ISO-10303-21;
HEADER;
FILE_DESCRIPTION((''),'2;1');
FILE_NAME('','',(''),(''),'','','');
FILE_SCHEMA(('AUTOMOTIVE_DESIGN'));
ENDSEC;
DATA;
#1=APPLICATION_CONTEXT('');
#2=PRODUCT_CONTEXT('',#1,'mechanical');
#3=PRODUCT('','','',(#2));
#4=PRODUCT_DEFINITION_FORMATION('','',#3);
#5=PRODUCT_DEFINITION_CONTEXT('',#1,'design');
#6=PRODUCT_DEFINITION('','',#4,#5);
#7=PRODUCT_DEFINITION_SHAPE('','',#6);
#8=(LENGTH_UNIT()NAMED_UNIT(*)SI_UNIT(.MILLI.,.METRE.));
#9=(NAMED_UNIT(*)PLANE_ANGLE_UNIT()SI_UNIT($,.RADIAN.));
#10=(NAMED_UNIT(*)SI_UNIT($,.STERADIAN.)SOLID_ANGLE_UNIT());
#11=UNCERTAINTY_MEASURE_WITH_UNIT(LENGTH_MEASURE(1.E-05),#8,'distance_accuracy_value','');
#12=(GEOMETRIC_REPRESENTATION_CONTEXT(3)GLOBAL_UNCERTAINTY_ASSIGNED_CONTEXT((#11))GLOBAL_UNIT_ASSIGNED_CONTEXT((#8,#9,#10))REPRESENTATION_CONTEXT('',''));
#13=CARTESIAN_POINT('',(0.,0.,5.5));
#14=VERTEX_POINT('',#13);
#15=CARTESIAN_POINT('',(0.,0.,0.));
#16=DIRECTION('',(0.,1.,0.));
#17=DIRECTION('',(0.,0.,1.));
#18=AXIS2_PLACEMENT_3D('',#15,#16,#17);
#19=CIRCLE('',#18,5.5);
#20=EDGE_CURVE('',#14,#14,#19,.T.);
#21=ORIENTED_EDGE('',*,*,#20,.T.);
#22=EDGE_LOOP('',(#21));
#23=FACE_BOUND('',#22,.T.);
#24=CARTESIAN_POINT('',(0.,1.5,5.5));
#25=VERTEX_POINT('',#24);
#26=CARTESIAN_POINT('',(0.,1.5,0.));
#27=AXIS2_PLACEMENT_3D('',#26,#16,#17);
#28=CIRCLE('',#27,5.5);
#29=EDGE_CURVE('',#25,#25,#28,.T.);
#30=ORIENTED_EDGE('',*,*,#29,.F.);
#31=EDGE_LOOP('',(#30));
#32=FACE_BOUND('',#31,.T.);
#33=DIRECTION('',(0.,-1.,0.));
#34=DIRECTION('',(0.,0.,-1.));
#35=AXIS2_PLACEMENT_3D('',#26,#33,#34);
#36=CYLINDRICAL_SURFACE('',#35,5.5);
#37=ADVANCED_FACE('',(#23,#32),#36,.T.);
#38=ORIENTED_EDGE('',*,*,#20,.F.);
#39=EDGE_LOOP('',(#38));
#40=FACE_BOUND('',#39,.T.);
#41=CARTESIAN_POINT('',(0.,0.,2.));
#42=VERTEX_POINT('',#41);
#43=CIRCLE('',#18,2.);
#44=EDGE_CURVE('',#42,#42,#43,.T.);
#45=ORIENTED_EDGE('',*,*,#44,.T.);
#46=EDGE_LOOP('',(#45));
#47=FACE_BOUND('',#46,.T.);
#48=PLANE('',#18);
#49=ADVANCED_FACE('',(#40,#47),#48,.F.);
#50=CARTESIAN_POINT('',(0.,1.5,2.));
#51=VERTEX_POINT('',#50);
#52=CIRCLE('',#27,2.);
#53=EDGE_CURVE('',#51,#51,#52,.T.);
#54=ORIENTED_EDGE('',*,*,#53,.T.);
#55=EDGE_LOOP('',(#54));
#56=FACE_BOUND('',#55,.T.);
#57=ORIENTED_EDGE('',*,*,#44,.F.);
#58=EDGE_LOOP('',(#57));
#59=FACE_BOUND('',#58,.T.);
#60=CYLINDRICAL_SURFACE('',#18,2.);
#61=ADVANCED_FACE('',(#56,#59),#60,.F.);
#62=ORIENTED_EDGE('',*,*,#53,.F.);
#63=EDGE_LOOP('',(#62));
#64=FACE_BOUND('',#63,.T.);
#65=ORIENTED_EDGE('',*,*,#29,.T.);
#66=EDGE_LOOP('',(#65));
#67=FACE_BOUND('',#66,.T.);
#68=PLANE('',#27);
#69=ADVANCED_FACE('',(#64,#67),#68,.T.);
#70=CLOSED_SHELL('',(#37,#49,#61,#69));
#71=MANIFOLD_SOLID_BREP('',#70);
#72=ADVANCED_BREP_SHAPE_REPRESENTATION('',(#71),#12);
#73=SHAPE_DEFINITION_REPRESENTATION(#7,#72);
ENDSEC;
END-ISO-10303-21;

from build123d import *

# Parameters (mm, degrees)
SKETCH2_R           = 5.5
BOSS_EXTRUDE1_DEPTH = 1.5
SKETCH3_HOLE_R      = 2
CUT_EXTRUDE1_DEPTH  = 2.5


with BuildPart() as part:
    # Sketch2 → Boss-Extrude1 (new body)
    with BuildSketch(Plane(origin=(0, 0, 0), x_dir=(1, 0, 0), z_dir=(0, 1, 0))):
        with Locations(Location((0, 0, 0), (0, 0, 270))):  # turned: the seam where the file's is
            Circle(SKETCH2_R)
    extrude(amount=BOSS_EXTRUDE1_DEPTH)

    # Sketch3 Hole → Cut-Extrude1 (cut, through all)
    with BuildSketch(Plane(origin=(0, 1.5, 0), x_dir=(1, 0, 0), z_dir=(0, 1, 0))):
        with Locations(Location((0, 0, 0), (0, 0, 270))):  # turned: the seam where the file's is
            Circle(SKETCH3_HOLE_R)
    extrude(amount=-CUT_EXTRUDE1_DEPTH, mode=Mode.SUBTRACT)


solid = part.part
